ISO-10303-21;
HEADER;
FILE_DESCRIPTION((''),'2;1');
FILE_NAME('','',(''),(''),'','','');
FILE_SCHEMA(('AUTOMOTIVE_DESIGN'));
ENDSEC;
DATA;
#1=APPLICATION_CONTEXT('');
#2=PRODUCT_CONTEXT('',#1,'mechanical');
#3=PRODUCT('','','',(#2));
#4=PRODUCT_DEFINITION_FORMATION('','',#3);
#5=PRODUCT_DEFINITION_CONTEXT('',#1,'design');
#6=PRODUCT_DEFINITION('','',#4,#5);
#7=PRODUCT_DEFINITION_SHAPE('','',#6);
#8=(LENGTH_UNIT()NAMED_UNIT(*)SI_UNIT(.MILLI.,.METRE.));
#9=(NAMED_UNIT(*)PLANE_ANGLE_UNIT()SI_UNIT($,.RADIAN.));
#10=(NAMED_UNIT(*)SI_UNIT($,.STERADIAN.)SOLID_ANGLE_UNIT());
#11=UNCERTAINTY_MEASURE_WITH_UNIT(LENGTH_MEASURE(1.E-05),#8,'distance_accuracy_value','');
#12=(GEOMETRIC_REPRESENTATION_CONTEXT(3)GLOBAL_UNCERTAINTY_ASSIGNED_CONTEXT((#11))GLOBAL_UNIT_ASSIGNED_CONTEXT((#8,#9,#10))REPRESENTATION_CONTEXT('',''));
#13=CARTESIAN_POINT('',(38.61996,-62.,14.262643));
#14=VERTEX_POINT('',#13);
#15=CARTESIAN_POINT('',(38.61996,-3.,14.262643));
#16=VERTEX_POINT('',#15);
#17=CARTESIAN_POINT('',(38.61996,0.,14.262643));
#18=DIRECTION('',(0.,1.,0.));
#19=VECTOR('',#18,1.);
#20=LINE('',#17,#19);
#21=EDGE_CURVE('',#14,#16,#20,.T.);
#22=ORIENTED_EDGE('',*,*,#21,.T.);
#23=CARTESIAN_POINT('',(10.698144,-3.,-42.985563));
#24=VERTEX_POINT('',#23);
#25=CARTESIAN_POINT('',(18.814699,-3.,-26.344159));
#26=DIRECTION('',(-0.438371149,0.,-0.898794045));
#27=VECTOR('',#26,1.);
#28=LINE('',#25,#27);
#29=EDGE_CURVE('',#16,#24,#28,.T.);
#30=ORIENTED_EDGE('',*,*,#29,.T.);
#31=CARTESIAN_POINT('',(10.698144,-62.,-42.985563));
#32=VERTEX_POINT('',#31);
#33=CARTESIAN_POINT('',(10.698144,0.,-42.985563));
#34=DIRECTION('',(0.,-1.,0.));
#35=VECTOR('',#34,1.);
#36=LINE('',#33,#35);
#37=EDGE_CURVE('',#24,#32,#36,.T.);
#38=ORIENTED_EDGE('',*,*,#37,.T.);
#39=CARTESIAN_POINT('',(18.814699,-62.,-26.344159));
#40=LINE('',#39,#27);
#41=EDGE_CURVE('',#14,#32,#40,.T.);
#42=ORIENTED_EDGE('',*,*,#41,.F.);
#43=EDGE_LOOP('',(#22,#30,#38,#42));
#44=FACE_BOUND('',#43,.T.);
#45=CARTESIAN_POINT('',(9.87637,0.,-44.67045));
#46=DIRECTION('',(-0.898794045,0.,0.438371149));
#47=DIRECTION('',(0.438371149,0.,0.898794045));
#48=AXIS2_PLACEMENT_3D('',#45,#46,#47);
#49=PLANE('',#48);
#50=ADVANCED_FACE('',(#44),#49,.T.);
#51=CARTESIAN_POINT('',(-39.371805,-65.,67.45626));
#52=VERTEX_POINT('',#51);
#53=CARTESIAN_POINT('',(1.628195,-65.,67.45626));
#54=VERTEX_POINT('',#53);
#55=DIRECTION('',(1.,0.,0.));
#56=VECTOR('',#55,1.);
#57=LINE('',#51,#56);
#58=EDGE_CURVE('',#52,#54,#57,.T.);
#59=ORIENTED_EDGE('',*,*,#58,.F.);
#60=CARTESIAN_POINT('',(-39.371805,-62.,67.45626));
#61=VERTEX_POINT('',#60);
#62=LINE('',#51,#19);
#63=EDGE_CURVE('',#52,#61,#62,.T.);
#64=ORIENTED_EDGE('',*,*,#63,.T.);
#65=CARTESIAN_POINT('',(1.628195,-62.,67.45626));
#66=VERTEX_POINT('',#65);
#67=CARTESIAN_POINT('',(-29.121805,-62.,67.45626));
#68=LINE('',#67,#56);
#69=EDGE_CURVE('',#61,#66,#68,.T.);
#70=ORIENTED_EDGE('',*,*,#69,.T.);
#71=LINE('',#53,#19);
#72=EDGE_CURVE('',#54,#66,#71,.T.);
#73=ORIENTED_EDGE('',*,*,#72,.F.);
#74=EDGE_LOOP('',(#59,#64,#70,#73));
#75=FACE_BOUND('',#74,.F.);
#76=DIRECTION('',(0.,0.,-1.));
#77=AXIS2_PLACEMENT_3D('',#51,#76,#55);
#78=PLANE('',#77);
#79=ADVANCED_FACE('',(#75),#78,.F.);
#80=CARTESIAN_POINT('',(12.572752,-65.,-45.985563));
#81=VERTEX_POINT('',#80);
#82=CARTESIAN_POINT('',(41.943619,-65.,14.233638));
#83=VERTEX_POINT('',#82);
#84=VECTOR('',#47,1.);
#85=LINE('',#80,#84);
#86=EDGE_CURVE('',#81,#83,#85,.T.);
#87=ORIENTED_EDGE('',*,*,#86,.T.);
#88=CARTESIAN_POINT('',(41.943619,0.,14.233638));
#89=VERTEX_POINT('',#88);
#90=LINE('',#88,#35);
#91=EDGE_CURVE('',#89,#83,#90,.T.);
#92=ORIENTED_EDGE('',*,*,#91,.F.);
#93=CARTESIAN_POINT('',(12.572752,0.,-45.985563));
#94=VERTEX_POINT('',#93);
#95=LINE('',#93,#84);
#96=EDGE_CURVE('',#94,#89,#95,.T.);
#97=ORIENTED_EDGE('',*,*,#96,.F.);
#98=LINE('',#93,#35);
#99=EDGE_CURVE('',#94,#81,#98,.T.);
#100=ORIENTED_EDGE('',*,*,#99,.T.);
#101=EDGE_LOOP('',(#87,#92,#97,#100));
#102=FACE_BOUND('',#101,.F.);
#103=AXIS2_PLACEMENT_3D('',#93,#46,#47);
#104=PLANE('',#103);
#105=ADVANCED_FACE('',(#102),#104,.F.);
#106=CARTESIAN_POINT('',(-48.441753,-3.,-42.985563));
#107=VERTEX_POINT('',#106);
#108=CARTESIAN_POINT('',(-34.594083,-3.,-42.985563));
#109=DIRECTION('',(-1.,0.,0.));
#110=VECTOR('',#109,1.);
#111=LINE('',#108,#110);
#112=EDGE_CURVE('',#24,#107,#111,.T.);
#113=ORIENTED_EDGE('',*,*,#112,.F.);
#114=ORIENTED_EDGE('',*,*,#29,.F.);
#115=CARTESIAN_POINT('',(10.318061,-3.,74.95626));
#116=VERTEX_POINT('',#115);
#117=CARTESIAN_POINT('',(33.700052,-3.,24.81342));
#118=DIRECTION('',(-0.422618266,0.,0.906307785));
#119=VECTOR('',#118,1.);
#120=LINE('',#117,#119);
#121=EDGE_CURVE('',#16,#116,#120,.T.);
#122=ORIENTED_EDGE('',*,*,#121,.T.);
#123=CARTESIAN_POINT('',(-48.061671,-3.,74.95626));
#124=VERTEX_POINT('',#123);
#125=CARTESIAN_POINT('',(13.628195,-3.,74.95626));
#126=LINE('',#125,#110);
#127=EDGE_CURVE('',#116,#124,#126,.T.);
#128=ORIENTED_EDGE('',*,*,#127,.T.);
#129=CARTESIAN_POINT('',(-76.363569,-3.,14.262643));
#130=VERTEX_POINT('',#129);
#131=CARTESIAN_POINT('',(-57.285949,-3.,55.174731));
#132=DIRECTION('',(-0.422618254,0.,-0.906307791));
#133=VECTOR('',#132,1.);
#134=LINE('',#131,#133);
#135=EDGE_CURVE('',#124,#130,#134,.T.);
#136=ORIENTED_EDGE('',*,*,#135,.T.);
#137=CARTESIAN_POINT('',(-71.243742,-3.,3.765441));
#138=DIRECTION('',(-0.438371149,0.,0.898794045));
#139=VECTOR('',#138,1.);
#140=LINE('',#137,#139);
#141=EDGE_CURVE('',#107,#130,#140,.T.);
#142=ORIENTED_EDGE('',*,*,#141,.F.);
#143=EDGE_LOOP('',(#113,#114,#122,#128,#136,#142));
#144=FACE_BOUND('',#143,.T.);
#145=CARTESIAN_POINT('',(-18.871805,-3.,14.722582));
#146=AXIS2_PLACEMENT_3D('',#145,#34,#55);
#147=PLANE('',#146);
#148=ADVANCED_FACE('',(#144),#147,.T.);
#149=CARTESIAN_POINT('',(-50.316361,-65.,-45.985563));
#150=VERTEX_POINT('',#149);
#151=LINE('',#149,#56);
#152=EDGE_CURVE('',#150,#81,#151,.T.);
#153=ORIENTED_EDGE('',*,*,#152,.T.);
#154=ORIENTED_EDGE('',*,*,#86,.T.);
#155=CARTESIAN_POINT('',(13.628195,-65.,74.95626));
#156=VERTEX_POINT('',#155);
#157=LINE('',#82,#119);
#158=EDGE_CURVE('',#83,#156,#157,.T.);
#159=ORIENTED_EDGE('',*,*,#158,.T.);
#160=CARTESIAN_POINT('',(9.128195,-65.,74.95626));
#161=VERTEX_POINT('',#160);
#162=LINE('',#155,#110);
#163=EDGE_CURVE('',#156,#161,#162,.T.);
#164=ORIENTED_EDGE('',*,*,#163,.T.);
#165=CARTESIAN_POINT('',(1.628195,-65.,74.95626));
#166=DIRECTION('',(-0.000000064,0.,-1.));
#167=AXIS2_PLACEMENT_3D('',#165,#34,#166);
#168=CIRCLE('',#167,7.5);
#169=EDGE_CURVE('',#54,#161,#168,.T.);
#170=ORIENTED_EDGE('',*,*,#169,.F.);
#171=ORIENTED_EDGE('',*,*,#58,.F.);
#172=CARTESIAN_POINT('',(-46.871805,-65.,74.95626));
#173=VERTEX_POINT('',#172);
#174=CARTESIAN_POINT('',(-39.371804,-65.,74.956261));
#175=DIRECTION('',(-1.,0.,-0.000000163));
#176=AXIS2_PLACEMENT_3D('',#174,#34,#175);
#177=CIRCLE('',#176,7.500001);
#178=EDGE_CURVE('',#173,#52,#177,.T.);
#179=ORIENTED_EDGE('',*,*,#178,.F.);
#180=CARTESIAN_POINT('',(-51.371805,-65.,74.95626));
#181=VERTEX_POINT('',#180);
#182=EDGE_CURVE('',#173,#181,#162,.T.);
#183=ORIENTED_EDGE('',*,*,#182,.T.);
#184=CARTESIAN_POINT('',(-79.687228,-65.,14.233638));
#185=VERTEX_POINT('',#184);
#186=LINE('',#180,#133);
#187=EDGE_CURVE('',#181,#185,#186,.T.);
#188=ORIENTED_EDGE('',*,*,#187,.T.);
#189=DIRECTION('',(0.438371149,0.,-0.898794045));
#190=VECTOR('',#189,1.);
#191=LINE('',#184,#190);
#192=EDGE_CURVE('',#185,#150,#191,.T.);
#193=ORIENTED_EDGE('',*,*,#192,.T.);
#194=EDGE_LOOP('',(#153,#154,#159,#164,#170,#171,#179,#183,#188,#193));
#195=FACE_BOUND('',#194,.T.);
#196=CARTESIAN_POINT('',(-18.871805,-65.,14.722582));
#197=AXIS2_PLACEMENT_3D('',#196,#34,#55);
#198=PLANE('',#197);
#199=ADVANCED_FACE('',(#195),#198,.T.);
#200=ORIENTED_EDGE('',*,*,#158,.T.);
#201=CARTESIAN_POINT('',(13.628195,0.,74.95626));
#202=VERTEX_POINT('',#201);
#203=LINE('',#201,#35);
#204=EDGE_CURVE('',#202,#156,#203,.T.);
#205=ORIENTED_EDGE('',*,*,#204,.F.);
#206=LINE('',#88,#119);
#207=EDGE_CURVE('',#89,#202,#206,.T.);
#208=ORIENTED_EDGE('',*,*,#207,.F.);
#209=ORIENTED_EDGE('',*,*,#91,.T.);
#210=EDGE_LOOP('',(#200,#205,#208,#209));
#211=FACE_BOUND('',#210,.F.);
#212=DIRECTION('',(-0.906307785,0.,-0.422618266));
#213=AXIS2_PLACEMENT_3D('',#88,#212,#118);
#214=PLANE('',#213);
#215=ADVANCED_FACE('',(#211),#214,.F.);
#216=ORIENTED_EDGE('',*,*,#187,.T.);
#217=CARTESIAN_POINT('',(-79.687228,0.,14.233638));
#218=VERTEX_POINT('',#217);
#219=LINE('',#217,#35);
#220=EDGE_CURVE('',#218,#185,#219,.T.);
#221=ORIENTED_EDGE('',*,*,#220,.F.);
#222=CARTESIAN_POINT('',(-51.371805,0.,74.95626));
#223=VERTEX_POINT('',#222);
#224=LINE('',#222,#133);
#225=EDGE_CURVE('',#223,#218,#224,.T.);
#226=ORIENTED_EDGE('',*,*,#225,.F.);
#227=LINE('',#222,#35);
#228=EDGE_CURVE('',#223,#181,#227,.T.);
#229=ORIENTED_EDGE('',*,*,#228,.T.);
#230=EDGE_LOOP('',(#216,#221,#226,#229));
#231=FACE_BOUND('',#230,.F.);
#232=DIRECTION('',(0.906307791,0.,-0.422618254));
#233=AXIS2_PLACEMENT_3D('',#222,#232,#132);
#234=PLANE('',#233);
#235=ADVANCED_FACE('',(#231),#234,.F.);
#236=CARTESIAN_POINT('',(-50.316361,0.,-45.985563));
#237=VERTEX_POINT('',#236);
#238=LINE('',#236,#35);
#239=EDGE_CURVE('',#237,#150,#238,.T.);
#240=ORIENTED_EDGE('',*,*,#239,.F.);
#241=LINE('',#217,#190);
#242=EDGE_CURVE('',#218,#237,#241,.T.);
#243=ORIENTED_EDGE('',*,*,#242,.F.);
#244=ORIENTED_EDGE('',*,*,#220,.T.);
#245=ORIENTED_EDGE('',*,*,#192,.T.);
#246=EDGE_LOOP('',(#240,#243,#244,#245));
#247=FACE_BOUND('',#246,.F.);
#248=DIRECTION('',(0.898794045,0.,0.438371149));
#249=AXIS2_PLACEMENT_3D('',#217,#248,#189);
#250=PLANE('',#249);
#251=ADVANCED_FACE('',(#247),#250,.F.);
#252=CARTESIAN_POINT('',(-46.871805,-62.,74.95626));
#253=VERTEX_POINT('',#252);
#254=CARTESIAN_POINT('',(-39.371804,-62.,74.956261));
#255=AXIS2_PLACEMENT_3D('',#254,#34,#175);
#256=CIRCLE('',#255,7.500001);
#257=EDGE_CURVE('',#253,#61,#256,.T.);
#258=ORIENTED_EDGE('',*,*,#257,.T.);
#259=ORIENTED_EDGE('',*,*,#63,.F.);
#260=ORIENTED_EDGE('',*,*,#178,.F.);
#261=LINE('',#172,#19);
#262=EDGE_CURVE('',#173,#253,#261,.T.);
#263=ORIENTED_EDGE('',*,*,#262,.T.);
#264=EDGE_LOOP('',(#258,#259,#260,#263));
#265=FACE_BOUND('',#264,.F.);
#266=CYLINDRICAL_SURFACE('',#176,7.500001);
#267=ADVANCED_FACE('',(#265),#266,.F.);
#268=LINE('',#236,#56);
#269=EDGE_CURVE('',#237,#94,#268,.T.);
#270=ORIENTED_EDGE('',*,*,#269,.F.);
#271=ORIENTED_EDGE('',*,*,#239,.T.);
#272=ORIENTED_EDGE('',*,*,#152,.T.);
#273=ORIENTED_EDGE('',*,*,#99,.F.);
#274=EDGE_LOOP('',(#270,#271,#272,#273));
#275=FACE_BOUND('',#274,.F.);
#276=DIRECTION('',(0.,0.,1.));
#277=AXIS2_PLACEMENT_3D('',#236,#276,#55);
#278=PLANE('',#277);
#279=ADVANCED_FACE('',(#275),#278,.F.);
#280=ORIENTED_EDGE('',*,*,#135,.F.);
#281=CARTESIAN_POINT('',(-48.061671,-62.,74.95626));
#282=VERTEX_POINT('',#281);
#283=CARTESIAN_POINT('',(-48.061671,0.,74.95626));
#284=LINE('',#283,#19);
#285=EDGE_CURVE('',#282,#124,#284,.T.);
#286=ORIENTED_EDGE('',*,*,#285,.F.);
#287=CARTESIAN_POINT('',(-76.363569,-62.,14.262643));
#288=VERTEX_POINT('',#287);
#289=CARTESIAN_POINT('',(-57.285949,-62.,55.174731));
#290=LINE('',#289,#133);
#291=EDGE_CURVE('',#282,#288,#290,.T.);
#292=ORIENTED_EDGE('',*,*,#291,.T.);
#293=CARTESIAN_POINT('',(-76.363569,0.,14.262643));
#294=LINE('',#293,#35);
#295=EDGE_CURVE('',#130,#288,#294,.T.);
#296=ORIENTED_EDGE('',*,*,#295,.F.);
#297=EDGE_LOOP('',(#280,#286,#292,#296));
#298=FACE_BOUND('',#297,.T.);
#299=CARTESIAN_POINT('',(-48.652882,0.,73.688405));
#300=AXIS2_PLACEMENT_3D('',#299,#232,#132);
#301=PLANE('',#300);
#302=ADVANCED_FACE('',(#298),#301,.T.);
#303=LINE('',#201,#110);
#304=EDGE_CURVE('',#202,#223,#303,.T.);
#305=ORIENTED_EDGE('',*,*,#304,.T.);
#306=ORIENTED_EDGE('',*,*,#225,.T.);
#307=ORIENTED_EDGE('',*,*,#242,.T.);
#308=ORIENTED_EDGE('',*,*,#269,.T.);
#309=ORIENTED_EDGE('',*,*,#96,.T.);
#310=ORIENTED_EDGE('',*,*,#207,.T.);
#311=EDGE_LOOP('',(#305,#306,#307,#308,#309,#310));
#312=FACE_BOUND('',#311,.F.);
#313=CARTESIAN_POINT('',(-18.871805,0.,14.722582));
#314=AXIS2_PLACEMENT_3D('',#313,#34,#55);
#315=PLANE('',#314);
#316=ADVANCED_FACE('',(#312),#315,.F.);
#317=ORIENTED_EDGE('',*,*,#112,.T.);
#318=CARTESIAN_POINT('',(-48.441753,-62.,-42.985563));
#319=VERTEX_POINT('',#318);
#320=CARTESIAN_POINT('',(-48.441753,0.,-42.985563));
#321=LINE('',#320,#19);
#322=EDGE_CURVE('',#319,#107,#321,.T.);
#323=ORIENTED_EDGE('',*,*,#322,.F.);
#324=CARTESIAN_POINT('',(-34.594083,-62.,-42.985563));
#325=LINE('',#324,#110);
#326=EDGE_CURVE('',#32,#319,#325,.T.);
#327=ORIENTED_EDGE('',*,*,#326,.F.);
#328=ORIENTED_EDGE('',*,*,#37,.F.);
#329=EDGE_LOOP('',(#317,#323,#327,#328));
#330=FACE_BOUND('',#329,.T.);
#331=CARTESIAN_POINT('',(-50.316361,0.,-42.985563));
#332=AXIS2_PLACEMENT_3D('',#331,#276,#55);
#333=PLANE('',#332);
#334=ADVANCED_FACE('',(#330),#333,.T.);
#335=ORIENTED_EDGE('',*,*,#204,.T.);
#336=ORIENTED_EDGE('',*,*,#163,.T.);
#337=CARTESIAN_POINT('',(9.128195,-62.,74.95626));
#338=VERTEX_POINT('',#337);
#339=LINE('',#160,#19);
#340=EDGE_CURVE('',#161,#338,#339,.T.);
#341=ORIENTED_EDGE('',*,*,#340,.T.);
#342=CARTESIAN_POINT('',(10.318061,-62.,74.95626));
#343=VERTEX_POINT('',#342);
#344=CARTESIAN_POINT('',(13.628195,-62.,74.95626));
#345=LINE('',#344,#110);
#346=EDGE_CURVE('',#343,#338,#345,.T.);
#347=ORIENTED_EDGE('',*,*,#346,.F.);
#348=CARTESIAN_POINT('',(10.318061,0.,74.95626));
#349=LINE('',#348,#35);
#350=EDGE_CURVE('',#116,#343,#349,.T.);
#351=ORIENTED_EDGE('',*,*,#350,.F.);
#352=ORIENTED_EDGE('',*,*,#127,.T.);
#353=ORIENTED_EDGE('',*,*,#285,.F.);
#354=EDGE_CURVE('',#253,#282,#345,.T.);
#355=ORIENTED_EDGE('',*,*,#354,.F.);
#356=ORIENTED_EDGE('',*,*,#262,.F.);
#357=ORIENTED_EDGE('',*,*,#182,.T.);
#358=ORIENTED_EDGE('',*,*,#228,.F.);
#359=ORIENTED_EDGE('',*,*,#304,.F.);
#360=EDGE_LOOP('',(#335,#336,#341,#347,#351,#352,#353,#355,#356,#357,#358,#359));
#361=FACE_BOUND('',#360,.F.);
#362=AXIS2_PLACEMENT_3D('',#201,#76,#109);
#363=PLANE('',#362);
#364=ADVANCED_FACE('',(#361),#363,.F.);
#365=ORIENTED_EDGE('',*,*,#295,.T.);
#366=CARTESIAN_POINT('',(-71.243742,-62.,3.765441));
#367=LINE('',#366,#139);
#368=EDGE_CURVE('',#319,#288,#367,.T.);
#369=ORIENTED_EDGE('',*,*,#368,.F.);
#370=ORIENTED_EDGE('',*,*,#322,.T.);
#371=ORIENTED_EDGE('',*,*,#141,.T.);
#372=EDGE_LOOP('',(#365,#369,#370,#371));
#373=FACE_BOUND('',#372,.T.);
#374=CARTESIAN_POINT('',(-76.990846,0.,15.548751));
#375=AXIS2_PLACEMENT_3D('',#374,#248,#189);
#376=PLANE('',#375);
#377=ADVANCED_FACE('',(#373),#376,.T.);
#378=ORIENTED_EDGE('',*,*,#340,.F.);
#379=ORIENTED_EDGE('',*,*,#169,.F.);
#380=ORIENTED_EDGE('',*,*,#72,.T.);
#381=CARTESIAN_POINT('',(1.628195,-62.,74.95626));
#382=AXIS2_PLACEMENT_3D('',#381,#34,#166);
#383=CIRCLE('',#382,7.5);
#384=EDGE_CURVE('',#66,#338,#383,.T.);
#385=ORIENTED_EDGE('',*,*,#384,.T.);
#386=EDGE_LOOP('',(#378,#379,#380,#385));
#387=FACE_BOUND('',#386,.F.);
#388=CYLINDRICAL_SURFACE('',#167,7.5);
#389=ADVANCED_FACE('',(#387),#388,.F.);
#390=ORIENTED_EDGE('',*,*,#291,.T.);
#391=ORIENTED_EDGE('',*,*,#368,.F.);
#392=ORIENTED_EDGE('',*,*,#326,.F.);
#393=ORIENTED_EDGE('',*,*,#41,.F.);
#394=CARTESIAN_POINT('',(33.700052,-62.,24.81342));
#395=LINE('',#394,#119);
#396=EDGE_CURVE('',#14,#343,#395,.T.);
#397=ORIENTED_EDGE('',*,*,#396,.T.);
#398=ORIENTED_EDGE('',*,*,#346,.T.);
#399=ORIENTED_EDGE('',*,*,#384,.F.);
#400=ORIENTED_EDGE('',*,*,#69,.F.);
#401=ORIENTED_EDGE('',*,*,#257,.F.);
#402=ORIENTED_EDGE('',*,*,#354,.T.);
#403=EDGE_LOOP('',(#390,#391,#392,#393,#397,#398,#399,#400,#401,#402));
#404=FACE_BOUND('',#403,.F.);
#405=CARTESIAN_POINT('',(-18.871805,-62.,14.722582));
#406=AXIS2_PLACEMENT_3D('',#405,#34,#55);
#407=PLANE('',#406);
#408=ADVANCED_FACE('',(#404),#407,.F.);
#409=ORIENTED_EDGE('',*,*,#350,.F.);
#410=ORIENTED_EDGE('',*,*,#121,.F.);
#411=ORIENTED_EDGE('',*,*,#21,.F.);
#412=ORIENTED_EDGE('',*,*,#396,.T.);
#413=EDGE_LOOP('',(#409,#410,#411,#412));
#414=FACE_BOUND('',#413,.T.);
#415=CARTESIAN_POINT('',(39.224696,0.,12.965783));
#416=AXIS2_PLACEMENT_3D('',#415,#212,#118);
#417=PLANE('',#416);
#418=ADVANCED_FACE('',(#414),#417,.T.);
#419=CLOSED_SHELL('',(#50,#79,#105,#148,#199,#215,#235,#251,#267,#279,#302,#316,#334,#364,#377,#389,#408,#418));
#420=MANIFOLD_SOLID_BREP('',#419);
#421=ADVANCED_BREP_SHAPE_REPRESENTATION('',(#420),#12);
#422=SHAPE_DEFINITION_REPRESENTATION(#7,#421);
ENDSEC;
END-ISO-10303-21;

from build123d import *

# Parameters (mm, degrees)
F1_DEPTH = 65
F2_T     = -3
F4_DEPTH = 25


with BuildPart() as f1:
    # F0 (on Front) → F1 (new body)
    with BuildSketch(Plane.XZ):
        Polygon((13.628195, 74.95626), (-51.371805, 74.95626), (-79.687228, 14.233638), (-50.316361, -45.985563), (12.572752, -45.985563), (41.943619, 14.233638), align=None)
    extrude(amount=F1_DEPTH)

    # F2
    f2_openings = [f1.faces().sort_by_distance(p)[0] for p in [
        (-18.871805, -32.5, 74.95626),
    ]]
    offset(amount=F2_T, openings=f2_openings)

    # F3 (on face) → F4 (cut)
    with BuildSketch(Plane.XZ.offset(65)):
        with BuildLine():
            ThreePointArc((-46.871805, 74.95626), (-44.675105, 69.652959), (-39.371805, 67.45626))
            Line((-39.371805, 67.45626), (1.628195, 67.45626))
            ThreePointArc((1.628195, 67.45626), (6.931496, 69.652959), (9.128195, 74.95626))
            Line((9.128195, 74.95626), (-46.871805, 74.95626))
        make_face()
    extrude(amount=-F4_DEPTH, mode=Mode.SUBTRACT)


solid = f1.part
